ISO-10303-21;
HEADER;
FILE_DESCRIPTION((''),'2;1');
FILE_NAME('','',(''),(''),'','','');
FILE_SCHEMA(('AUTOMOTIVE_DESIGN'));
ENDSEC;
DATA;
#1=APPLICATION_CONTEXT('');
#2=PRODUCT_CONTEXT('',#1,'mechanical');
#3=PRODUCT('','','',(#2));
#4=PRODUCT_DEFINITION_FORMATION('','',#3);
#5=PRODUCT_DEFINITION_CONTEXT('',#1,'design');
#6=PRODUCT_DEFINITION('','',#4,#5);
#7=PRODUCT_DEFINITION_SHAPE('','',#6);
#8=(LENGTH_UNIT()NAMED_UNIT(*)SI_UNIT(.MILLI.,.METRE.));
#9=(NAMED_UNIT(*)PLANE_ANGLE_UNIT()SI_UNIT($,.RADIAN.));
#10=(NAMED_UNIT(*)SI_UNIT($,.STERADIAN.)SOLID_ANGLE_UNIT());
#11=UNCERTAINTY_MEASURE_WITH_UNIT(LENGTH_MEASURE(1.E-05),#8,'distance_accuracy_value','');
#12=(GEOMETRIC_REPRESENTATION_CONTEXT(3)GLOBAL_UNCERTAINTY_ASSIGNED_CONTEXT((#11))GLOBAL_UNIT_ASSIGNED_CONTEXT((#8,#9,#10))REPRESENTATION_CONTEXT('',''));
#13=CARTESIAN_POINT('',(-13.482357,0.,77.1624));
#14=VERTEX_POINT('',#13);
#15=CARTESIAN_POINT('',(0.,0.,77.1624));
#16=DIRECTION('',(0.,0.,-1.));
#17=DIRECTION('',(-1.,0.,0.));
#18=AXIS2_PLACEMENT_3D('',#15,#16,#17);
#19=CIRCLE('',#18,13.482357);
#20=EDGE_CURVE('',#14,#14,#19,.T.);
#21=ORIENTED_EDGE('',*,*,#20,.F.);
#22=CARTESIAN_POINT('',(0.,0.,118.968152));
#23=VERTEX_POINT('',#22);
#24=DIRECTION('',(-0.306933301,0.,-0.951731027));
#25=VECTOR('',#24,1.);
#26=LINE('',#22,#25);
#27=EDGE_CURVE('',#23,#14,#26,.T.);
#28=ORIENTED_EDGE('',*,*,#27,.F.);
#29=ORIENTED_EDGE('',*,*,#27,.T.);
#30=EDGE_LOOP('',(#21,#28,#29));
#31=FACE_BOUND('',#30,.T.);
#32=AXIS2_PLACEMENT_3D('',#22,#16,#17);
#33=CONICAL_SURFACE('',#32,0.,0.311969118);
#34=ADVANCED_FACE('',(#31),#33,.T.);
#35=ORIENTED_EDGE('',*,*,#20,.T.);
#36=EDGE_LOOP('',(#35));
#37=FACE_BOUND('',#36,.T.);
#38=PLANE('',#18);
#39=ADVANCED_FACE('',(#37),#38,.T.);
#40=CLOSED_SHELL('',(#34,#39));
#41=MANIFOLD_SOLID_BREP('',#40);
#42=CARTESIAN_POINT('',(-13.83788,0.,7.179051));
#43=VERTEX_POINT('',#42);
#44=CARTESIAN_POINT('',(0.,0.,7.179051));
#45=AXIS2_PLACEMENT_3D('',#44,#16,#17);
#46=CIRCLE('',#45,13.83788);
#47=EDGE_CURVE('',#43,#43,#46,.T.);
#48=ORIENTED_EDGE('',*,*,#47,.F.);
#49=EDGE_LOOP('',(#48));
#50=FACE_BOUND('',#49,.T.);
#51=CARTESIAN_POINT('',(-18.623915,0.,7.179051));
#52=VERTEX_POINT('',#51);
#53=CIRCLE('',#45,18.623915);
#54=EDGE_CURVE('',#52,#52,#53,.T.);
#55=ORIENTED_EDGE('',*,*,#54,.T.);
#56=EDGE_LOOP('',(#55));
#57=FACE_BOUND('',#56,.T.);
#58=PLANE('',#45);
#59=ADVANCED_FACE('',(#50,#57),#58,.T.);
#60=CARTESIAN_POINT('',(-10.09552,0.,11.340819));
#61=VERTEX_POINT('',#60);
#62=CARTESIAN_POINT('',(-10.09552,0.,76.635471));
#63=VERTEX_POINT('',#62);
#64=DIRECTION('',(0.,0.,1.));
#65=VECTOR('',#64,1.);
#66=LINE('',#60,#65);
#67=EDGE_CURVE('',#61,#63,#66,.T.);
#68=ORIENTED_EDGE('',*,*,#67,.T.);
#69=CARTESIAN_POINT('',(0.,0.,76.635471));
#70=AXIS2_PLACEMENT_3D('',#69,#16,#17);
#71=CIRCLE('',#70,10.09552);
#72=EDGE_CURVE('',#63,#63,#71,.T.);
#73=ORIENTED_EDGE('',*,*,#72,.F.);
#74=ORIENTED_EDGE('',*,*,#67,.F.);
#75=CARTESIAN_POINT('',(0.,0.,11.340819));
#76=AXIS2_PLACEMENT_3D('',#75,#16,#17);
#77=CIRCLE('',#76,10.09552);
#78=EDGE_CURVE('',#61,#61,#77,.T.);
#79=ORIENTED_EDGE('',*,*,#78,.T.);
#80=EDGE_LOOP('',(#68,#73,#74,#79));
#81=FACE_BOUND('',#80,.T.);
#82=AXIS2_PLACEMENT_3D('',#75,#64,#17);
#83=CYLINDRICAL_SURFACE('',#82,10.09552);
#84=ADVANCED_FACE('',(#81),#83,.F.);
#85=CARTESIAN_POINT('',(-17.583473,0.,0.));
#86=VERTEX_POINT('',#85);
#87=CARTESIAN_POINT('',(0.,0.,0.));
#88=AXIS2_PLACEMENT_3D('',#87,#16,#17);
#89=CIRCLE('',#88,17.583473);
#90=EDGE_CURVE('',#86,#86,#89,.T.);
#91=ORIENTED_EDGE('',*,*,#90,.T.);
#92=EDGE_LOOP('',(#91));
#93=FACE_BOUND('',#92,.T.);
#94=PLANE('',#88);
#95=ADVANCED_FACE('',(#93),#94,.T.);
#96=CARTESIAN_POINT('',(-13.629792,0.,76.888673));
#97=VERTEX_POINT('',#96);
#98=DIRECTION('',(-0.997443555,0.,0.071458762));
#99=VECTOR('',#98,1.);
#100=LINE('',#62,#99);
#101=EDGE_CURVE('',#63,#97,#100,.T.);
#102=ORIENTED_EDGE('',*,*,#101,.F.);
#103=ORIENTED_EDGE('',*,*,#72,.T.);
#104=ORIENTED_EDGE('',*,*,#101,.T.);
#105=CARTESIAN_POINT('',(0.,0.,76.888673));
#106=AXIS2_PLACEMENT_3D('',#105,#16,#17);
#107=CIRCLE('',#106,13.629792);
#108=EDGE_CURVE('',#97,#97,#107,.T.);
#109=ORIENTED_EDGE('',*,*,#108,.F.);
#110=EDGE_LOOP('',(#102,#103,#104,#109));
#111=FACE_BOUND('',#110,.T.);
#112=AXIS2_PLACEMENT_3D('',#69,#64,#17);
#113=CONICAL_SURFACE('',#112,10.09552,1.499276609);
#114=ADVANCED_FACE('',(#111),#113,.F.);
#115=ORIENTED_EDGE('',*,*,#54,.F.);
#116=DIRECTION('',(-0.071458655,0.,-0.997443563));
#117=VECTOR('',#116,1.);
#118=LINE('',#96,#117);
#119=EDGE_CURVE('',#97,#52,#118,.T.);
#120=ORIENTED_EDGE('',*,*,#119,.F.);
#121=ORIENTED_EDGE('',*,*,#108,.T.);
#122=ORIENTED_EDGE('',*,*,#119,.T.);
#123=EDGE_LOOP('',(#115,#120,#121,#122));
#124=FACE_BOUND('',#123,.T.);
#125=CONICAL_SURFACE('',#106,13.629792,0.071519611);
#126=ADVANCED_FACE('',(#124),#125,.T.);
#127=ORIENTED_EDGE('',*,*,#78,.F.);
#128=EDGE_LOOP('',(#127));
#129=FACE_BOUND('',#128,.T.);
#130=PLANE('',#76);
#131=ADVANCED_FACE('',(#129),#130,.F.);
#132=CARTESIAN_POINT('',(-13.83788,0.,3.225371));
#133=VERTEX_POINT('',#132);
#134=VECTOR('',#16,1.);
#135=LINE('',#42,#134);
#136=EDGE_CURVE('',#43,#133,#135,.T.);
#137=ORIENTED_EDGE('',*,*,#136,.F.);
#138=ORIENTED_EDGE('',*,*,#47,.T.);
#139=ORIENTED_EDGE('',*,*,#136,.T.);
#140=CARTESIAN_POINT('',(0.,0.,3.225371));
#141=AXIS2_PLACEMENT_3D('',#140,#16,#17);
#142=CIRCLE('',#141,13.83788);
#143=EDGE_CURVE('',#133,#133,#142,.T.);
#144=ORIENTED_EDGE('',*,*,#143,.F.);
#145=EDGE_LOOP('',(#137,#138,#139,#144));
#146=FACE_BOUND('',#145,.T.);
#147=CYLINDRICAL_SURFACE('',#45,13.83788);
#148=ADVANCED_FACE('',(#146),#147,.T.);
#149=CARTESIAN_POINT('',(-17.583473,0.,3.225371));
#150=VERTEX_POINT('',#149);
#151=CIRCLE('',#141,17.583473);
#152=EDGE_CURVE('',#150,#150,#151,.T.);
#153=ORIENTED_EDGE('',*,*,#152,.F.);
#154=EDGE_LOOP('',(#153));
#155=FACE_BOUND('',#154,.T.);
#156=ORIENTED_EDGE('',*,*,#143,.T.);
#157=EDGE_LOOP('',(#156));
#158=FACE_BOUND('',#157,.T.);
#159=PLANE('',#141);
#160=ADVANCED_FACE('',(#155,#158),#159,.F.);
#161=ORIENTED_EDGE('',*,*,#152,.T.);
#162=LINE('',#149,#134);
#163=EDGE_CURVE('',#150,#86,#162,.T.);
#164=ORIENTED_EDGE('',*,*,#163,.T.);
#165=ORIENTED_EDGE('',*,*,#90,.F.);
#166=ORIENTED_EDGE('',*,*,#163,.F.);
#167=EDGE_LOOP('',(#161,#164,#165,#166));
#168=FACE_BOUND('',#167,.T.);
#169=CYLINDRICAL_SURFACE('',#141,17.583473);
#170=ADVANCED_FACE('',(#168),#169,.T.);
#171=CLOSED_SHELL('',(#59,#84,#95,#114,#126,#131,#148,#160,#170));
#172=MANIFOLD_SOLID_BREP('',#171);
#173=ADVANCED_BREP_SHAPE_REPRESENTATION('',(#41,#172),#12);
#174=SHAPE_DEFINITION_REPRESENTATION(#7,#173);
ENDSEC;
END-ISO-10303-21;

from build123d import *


with BuildPart() as f1:
    # F0 (on Front) → F1 (revolve)
    with BuildSketch(Plane.XZ):
        Polygon((-17.583473, 0), (0, 0), (0, 11.340819), (-10.09552, 11.340819), (-10.09552, 76.635471), (-13.629792, 76.888673), (-18.623915, 7.179051), (-13.83788, 7.179051), (-13.83788, 3.225371), (-17.583473, 3.225371), align=None)
    revolve(axis=Axis((0, 0, 5.67041), (0, 0, -1)))


with BuildPart() as f3:
    # F2 (on Front) → F3 (revolve)
    with BuildSketch(Plane.XZ):
        Polygon((0, 118.968152), (-13.482357, 77.1624), (0, 77.1624), align=None)
    revolve(axis=Axis((0, 0, 98.065276), (0, 0, -1)))


solid = Compound([f1.part, f3.part])
